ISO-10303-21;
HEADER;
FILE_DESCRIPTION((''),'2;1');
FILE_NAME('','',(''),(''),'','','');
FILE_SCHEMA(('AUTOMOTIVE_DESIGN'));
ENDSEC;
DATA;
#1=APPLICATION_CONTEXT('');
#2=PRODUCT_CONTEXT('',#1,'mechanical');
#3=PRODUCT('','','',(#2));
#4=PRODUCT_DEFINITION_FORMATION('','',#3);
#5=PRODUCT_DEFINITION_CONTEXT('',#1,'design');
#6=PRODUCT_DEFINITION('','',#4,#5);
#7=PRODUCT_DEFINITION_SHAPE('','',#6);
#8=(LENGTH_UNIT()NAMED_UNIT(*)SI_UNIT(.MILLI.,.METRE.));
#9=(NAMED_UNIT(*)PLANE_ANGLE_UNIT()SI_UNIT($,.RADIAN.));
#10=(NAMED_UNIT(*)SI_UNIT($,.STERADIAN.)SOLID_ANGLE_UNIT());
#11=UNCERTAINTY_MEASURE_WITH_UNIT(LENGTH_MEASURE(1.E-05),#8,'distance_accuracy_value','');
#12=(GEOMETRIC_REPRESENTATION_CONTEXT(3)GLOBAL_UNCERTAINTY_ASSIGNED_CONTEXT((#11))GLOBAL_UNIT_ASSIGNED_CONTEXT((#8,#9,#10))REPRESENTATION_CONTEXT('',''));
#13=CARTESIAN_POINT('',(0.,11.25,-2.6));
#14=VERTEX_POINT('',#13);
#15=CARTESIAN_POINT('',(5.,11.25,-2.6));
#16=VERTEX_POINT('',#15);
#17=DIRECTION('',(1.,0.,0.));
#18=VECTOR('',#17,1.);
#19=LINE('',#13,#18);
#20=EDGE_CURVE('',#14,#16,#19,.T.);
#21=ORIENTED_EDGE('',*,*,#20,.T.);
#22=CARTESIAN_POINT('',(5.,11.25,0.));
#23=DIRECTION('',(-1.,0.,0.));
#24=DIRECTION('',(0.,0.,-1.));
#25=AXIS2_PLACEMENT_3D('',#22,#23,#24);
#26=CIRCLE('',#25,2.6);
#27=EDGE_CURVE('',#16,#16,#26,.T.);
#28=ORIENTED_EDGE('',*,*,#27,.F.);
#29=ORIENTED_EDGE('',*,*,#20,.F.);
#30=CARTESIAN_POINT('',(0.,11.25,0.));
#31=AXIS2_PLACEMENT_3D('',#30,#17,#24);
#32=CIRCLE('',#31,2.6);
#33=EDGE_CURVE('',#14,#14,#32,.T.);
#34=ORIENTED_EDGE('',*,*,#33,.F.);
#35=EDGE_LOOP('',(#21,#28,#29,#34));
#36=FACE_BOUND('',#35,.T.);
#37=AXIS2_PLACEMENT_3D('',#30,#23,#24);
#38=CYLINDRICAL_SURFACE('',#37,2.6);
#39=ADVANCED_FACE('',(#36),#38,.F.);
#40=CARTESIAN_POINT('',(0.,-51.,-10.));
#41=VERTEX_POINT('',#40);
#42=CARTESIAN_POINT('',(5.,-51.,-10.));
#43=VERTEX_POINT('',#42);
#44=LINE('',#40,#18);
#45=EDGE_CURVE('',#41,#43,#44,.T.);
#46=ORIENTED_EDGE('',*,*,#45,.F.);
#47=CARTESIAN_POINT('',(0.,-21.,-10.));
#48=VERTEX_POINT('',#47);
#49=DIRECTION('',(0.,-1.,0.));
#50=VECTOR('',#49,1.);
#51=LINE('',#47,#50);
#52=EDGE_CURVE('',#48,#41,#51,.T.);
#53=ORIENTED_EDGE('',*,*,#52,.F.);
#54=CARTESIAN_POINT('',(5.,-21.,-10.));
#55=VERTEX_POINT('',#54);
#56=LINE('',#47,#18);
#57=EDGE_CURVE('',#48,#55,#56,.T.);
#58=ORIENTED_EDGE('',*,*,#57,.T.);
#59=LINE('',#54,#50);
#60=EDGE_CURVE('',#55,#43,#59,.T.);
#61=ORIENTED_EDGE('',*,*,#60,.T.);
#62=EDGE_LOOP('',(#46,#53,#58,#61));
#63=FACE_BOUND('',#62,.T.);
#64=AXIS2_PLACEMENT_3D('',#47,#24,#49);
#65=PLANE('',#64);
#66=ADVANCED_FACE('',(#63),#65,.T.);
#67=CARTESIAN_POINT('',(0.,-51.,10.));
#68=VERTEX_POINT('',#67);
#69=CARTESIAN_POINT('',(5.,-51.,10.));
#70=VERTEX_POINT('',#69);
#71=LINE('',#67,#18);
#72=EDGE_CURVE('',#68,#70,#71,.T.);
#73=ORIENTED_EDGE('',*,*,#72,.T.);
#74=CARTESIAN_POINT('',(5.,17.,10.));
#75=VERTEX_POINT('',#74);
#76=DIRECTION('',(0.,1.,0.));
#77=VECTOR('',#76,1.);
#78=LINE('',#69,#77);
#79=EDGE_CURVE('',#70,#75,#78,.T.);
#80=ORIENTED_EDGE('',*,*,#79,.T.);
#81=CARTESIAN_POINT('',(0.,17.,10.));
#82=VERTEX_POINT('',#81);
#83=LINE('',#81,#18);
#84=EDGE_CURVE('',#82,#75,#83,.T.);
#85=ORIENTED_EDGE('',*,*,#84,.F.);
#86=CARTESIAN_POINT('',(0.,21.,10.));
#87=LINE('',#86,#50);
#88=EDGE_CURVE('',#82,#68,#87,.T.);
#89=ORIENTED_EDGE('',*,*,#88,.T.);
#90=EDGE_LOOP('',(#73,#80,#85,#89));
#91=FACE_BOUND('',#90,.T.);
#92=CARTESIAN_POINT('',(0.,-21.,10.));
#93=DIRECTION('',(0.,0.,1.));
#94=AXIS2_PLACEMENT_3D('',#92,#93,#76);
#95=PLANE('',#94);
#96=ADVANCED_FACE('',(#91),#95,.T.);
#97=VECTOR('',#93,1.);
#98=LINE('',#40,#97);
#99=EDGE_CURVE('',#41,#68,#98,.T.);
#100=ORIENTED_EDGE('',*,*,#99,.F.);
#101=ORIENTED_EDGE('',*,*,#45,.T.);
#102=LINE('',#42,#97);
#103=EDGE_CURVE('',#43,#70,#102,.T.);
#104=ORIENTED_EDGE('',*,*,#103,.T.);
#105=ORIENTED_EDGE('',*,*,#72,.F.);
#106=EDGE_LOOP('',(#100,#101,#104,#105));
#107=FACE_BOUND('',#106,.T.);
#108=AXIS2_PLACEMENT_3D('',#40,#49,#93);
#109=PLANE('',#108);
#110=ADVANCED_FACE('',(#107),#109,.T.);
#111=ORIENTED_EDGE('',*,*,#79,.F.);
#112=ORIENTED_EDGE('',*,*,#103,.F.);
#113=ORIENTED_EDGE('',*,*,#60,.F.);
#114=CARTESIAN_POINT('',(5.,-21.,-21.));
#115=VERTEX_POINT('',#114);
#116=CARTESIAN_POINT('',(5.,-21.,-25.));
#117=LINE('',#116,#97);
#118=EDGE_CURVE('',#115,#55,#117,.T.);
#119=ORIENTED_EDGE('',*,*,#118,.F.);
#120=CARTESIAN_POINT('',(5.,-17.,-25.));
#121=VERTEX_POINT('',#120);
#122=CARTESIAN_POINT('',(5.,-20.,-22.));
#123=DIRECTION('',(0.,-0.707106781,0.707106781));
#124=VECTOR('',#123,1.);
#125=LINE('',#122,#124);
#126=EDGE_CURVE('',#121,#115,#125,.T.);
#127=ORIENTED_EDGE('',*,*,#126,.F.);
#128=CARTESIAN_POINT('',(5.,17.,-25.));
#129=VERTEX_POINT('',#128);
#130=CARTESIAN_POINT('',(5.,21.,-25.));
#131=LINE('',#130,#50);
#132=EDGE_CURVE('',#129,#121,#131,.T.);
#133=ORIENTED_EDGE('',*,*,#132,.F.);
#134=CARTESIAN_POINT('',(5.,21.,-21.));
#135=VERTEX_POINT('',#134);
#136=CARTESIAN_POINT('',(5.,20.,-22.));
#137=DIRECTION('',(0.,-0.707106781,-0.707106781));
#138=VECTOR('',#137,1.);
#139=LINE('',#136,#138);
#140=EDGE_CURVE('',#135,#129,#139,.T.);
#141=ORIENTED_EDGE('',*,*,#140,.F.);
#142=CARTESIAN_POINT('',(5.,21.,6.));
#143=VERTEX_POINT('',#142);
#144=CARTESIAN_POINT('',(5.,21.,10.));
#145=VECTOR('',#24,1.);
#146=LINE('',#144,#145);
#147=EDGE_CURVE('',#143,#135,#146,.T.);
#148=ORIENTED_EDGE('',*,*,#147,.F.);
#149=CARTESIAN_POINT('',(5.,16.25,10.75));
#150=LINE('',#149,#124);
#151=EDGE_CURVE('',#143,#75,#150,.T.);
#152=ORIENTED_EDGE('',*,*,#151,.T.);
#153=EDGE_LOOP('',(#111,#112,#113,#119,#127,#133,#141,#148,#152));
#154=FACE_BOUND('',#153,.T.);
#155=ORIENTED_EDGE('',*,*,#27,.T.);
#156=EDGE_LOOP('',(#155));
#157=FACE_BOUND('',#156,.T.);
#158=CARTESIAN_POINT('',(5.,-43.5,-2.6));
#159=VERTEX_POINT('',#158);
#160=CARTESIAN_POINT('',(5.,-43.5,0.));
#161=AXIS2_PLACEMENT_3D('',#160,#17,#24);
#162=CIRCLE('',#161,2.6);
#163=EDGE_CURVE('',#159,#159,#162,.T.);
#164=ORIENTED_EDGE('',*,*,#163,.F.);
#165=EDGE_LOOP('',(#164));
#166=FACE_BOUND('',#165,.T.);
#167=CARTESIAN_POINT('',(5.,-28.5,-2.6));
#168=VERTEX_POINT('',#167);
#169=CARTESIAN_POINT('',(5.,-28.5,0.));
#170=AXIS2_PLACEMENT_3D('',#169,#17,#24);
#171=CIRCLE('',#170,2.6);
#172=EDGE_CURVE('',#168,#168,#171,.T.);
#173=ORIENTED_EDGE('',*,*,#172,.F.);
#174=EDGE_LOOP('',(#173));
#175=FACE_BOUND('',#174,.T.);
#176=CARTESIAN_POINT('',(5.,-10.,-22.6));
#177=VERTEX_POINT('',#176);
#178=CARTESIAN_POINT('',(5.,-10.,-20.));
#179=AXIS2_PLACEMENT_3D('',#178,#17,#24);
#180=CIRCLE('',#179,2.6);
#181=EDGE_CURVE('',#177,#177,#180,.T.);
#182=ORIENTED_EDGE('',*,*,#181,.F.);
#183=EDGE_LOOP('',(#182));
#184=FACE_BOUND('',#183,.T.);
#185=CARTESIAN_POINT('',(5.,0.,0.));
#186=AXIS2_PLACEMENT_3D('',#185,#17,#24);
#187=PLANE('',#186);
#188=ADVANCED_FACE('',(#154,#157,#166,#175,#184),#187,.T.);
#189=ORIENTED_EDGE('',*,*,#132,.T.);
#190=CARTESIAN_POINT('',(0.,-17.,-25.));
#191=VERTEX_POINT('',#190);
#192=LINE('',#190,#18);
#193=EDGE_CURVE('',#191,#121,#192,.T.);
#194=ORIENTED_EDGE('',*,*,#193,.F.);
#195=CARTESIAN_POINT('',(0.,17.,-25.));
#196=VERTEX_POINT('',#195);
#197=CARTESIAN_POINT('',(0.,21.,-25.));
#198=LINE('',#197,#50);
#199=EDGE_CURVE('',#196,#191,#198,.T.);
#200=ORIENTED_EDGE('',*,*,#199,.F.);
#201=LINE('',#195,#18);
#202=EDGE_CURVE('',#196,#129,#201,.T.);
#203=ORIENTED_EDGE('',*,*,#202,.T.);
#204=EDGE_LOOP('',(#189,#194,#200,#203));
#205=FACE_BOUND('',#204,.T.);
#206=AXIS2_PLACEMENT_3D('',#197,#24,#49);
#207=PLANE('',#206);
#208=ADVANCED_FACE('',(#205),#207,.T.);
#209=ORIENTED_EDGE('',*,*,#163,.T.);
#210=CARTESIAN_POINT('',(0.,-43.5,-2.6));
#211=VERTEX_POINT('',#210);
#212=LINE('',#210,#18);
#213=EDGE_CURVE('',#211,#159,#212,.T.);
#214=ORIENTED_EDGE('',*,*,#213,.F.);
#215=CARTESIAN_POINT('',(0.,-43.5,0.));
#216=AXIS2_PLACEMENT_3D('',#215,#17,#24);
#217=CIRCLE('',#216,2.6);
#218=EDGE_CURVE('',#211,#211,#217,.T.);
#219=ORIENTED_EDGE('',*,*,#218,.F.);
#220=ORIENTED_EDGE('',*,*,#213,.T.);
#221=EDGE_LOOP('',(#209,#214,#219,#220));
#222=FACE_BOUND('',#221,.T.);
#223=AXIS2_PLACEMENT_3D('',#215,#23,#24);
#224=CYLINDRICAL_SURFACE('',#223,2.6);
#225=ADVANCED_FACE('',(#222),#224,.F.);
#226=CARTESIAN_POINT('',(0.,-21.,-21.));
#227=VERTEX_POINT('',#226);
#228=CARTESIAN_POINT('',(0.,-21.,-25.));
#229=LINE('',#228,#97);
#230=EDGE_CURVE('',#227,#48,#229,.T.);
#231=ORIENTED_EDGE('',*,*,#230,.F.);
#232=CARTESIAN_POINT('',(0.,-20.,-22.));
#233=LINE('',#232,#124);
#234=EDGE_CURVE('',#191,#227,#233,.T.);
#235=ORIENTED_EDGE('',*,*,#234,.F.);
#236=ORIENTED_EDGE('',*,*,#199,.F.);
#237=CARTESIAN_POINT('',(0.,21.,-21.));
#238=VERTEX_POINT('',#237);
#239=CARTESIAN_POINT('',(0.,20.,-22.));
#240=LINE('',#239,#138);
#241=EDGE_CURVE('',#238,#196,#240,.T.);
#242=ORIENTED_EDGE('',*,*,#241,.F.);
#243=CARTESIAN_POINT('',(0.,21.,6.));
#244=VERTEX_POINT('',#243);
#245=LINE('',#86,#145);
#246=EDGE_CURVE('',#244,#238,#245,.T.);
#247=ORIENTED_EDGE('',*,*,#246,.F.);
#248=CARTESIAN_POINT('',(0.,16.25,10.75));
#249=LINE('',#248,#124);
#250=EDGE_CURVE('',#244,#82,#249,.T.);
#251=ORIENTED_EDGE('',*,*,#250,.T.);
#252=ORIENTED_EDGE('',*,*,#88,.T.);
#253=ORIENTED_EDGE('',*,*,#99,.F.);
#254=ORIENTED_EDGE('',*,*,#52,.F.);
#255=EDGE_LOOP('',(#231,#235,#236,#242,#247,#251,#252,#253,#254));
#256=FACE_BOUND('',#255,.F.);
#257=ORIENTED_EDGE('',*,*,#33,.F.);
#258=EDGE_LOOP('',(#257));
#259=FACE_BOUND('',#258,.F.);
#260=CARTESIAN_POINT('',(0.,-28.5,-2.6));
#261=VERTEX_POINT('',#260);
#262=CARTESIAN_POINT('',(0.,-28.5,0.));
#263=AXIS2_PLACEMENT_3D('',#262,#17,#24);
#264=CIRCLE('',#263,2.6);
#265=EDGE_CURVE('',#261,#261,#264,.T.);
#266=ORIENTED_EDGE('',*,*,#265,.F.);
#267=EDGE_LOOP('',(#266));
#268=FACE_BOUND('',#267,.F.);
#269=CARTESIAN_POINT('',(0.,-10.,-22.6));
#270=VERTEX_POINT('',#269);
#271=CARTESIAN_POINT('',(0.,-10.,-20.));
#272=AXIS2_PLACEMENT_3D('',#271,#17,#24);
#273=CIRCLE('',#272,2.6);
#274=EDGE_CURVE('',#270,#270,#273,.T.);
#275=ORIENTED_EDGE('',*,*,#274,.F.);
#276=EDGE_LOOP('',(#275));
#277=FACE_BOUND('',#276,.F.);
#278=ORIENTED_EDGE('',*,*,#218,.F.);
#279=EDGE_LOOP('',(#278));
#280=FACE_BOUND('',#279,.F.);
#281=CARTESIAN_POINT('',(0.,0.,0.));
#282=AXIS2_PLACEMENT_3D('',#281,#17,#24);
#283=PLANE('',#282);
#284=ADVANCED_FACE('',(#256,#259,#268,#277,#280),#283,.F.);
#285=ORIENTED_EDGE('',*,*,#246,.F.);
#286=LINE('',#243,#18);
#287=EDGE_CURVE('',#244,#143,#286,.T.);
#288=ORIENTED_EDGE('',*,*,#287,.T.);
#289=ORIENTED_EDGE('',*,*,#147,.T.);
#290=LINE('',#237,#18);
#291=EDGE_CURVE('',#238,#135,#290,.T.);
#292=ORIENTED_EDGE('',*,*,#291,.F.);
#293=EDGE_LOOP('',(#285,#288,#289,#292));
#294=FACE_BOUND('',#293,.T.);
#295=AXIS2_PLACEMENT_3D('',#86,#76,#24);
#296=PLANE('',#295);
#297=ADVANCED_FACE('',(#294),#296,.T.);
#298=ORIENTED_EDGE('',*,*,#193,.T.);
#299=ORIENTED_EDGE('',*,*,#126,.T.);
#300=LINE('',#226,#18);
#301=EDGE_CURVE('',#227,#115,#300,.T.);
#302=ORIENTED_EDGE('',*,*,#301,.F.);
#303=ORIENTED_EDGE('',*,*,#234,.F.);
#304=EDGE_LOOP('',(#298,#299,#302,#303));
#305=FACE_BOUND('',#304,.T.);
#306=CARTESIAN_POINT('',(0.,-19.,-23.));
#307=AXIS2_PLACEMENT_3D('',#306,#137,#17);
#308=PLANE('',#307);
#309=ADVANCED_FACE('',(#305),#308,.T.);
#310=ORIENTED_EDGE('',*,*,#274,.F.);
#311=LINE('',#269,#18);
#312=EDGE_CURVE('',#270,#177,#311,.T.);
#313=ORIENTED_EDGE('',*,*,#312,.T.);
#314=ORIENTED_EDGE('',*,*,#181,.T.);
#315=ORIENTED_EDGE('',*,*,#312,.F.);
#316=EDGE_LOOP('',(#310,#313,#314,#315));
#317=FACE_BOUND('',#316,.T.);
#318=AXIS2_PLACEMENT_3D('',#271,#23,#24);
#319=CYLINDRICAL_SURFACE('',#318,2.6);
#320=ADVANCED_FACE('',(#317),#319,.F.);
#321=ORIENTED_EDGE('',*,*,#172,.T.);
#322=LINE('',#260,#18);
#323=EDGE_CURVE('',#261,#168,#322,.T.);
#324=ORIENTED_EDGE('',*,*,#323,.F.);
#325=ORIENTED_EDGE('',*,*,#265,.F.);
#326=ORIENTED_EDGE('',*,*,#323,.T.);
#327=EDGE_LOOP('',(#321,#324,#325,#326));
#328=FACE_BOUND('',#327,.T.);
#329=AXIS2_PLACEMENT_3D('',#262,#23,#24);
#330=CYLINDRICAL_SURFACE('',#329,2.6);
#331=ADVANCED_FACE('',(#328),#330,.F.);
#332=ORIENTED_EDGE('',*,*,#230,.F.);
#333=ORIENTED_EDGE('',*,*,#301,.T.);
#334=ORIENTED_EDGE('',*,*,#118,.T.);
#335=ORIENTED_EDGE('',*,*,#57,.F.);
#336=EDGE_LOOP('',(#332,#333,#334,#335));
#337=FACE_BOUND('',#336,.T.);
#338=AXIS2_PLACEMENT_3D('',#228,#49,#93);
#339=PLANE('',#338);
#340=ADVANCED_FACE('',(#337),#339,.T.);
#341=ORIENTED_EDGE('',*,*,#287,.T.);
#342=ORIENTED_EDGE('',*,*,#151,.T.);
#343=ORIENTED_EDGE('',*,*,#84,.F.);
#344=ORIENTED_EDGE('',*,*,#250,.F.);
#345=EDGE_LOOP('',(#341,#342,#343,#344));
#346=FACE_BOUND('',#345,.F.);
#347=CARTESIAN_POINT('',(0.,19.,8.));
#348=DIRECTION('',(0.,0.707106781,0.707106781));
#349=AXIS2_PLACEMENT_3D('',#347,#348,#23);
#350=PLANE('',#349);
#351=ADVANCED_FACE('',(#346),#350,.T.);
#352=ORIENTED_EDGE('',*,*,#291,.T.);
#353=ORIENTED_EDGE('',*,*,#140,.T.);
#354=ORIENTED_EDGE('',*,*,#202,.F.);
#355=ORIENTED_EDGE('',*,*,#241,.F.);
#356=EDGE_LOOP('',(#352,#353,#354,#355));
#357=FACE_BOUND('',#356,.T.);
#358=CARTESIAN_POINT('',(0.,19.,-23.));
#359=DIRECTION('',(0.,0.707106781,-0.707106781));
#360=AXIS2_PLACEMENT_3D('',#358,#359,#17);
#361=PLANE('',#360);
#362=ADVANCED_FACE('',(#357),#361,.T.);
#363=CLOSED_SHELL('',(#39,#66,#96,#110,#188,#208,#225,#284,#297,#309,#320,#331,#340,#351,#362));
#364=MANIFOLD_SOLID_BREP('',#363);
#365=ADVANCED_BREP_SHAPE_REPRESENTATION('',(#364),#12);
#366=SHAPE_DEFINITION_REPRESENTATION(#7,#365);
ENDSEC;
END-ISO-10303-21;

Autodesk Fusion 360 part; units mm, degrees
sketch "Sketch1" plane through (0, 0, 0) normal (1, 0, 0) x (0, 0, -1)
  line L0 (-10, 21) -> (25, 21)
  line L1 (25, 21) -> (25, -21)
  line L2 (25, -21) -> (-10, -21)
  line L3 (-10, -21) -> (-10, 21)
  line L4 (-10, 0) -> (25, 0) construction
  line L5 (0, 20) -> (0, 2.5)
  line L6 (0, 2.5) -> (0, -55) construction
  line L7 (-10, -21) -> (10, -21)
  line L8 (10, -21) -> (10, -51)
  line L9 (10, -51) -> (-10, -51)
  line L10 (-10, -51) -> (-10, -21)
  line L11 (10, -21) -> (10, -20)
  line L12 (10, -20) -> (10, 30) construction
  line L13 (-10, -21) -> (-10, 30) construction
  line L14 (20, -21) -> (20, 32.0321) construction
  line L15 (-20, -21) -> (-20, 30) construction
  circle A0 centre (20, -10) radius 2.6
  circle A1 centre (0, 11.25) radius 2.6
  circle A2 centre (0, -28.5) radius 2.6
  circle A3 centre (0, -43.5) radius 2.6
  dimension "d1" = 35
  dimension "d4" = 42
  dimension "d36" = 20
  dimension "d37" = 30
  dimension "d38" = 10
  dimension "d39" = 10
  dimension "d40" = 5.2
  dimension "d42" = 5.2
  dimension "d43" = 5.2
  dimension "d44" = 5.2
  dimension "d45" = 7.5
  dimension "d46" = 7.5
extrude "Extrude4" add sketch "Sketch1" along normal blind 5
chamfer "Chamfer2" distance 4 angle 45 3 edges at (2.5, 21, -25) (2.5, -21, -25) (2.5, 21, 10)
